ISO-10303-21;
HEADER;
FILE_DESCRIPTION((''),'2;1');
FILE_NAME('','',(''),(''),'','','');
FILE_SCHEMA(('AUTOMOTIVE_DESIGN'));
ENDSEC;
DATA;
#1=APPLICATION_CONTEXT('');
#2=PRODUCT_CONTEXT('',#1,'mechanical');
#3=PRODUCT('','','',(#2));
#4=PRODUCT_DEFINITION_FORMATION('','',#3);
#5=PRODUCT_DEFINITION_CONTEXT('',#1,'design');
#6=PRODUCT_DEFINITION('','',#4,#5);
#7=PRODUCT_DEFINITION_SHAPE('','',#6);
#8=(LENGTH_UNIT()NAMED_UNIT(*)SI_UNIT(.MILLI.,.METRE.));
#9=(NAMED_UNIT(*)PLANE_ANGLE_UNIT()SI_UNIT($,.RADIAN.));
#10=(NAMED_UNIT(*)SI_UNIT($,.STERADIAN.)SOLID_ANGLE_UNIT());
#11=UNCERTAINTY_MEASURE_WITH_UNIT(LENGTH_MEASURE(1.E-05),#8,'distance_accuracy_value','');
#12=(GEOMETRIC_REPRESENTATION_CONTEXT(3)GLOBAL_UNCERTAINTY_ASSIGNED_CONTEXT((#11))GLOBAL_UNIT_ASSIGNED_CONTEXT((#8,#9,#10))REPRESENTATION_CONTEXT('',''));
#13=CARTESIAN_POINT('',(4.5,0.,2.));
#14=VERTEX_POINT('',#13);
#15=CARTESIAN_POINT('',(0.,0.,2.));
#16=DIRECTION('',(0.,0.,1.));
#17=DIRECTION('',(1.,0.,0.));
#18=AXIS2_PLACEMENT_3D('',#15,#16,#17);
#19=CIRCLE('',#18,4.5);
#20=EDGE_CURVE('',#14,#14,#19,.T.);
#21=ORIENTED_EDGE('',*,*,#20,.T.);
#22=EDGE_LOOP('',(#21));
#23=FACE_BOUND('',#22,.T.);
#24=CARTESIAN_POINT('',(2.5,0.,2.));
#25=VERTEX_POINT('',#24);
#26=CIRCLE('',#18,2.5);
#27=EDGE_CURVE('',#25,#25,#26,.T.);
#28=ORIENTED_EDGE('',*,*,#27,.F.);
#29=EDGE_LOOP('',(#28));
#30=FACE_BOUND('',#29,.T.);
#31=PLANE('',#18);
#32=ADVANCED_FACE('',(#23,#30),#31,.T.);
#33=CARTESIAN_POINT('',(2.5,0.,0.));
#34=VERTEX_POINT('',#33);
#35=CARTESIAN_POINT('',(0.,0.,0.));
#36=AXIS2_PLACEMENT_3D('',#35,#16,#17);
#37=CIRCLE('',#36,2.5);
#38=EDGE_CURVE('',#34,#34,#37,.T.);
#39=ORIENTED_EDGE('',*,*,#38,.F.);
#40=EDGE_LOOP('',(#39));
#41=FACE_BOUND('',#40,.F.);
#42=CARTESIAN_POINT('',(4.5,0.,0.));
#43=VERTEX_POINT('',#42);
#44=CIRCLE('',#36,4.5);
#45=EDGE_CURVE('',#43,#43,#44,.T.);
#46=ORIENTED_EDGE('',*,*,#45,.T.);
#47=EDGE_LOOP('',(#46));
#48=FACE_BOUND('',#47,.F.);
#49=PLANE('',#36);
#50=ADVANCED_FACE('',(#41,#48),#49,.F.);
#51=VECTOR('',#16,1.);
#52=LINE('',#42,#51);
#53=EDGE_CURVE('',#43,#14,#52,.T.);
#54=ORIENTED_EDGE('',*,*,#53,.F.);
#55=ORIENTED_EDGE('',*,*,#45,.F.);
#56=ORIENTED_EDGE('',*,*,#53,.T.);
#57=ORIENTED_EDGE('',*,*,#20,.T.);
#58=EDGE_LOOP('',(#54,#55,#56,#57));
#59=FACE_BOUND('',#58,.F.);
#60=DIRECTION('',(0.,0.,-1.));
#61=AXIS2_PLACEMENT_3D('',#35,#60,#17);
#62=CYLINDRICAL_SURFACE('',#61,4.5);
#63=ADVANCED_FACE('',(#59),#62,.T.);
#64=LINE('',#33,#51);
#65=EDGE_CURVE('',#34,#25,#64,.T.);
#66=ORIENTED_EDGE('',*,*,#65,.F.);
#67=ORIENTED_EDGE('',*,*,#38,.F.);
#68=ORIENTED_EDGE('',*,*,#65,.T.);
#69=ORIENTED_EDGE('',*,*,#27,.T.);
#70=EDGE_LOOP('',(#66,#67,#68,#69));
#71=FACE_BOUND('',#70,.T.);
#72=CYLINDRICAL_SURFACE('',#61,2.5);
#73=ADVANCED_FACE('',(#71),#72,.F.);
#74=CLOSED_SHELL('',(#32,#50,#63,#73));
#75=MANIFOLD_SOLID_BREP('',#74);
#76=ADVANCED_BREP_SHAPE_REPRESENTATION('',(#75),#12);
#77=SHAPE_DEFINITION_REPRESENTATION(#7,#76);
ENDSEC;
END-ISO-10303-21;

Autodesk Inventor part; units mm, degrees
ref_plane "YZ Plane" through (0, 0, 0) normal (1, 0, 0) x (0, 1, 0)
ref_plane "XZ Plane" through (0, 0, 0) normal (0, 1, 0) x (-1, 0, 0)
ref_plane "XY Plane" through (0, 0, 0) normal (0, 0, 1) x (1, 0, 0)
sketch "Sketch1" plane through (0, 0, 0) normal (0, 0, 1) x (1, 0, 0)
  circle A0 centre (0, 0) radius 2.5
  circle A1 centre (0, 0) radius 4.5
  dimension "d0" = 9
  dimension "d1" = 5
extrude "Extrusion1" add sketch "Sketch1" along normal blind 2
properties part number "ShaftPlate"
